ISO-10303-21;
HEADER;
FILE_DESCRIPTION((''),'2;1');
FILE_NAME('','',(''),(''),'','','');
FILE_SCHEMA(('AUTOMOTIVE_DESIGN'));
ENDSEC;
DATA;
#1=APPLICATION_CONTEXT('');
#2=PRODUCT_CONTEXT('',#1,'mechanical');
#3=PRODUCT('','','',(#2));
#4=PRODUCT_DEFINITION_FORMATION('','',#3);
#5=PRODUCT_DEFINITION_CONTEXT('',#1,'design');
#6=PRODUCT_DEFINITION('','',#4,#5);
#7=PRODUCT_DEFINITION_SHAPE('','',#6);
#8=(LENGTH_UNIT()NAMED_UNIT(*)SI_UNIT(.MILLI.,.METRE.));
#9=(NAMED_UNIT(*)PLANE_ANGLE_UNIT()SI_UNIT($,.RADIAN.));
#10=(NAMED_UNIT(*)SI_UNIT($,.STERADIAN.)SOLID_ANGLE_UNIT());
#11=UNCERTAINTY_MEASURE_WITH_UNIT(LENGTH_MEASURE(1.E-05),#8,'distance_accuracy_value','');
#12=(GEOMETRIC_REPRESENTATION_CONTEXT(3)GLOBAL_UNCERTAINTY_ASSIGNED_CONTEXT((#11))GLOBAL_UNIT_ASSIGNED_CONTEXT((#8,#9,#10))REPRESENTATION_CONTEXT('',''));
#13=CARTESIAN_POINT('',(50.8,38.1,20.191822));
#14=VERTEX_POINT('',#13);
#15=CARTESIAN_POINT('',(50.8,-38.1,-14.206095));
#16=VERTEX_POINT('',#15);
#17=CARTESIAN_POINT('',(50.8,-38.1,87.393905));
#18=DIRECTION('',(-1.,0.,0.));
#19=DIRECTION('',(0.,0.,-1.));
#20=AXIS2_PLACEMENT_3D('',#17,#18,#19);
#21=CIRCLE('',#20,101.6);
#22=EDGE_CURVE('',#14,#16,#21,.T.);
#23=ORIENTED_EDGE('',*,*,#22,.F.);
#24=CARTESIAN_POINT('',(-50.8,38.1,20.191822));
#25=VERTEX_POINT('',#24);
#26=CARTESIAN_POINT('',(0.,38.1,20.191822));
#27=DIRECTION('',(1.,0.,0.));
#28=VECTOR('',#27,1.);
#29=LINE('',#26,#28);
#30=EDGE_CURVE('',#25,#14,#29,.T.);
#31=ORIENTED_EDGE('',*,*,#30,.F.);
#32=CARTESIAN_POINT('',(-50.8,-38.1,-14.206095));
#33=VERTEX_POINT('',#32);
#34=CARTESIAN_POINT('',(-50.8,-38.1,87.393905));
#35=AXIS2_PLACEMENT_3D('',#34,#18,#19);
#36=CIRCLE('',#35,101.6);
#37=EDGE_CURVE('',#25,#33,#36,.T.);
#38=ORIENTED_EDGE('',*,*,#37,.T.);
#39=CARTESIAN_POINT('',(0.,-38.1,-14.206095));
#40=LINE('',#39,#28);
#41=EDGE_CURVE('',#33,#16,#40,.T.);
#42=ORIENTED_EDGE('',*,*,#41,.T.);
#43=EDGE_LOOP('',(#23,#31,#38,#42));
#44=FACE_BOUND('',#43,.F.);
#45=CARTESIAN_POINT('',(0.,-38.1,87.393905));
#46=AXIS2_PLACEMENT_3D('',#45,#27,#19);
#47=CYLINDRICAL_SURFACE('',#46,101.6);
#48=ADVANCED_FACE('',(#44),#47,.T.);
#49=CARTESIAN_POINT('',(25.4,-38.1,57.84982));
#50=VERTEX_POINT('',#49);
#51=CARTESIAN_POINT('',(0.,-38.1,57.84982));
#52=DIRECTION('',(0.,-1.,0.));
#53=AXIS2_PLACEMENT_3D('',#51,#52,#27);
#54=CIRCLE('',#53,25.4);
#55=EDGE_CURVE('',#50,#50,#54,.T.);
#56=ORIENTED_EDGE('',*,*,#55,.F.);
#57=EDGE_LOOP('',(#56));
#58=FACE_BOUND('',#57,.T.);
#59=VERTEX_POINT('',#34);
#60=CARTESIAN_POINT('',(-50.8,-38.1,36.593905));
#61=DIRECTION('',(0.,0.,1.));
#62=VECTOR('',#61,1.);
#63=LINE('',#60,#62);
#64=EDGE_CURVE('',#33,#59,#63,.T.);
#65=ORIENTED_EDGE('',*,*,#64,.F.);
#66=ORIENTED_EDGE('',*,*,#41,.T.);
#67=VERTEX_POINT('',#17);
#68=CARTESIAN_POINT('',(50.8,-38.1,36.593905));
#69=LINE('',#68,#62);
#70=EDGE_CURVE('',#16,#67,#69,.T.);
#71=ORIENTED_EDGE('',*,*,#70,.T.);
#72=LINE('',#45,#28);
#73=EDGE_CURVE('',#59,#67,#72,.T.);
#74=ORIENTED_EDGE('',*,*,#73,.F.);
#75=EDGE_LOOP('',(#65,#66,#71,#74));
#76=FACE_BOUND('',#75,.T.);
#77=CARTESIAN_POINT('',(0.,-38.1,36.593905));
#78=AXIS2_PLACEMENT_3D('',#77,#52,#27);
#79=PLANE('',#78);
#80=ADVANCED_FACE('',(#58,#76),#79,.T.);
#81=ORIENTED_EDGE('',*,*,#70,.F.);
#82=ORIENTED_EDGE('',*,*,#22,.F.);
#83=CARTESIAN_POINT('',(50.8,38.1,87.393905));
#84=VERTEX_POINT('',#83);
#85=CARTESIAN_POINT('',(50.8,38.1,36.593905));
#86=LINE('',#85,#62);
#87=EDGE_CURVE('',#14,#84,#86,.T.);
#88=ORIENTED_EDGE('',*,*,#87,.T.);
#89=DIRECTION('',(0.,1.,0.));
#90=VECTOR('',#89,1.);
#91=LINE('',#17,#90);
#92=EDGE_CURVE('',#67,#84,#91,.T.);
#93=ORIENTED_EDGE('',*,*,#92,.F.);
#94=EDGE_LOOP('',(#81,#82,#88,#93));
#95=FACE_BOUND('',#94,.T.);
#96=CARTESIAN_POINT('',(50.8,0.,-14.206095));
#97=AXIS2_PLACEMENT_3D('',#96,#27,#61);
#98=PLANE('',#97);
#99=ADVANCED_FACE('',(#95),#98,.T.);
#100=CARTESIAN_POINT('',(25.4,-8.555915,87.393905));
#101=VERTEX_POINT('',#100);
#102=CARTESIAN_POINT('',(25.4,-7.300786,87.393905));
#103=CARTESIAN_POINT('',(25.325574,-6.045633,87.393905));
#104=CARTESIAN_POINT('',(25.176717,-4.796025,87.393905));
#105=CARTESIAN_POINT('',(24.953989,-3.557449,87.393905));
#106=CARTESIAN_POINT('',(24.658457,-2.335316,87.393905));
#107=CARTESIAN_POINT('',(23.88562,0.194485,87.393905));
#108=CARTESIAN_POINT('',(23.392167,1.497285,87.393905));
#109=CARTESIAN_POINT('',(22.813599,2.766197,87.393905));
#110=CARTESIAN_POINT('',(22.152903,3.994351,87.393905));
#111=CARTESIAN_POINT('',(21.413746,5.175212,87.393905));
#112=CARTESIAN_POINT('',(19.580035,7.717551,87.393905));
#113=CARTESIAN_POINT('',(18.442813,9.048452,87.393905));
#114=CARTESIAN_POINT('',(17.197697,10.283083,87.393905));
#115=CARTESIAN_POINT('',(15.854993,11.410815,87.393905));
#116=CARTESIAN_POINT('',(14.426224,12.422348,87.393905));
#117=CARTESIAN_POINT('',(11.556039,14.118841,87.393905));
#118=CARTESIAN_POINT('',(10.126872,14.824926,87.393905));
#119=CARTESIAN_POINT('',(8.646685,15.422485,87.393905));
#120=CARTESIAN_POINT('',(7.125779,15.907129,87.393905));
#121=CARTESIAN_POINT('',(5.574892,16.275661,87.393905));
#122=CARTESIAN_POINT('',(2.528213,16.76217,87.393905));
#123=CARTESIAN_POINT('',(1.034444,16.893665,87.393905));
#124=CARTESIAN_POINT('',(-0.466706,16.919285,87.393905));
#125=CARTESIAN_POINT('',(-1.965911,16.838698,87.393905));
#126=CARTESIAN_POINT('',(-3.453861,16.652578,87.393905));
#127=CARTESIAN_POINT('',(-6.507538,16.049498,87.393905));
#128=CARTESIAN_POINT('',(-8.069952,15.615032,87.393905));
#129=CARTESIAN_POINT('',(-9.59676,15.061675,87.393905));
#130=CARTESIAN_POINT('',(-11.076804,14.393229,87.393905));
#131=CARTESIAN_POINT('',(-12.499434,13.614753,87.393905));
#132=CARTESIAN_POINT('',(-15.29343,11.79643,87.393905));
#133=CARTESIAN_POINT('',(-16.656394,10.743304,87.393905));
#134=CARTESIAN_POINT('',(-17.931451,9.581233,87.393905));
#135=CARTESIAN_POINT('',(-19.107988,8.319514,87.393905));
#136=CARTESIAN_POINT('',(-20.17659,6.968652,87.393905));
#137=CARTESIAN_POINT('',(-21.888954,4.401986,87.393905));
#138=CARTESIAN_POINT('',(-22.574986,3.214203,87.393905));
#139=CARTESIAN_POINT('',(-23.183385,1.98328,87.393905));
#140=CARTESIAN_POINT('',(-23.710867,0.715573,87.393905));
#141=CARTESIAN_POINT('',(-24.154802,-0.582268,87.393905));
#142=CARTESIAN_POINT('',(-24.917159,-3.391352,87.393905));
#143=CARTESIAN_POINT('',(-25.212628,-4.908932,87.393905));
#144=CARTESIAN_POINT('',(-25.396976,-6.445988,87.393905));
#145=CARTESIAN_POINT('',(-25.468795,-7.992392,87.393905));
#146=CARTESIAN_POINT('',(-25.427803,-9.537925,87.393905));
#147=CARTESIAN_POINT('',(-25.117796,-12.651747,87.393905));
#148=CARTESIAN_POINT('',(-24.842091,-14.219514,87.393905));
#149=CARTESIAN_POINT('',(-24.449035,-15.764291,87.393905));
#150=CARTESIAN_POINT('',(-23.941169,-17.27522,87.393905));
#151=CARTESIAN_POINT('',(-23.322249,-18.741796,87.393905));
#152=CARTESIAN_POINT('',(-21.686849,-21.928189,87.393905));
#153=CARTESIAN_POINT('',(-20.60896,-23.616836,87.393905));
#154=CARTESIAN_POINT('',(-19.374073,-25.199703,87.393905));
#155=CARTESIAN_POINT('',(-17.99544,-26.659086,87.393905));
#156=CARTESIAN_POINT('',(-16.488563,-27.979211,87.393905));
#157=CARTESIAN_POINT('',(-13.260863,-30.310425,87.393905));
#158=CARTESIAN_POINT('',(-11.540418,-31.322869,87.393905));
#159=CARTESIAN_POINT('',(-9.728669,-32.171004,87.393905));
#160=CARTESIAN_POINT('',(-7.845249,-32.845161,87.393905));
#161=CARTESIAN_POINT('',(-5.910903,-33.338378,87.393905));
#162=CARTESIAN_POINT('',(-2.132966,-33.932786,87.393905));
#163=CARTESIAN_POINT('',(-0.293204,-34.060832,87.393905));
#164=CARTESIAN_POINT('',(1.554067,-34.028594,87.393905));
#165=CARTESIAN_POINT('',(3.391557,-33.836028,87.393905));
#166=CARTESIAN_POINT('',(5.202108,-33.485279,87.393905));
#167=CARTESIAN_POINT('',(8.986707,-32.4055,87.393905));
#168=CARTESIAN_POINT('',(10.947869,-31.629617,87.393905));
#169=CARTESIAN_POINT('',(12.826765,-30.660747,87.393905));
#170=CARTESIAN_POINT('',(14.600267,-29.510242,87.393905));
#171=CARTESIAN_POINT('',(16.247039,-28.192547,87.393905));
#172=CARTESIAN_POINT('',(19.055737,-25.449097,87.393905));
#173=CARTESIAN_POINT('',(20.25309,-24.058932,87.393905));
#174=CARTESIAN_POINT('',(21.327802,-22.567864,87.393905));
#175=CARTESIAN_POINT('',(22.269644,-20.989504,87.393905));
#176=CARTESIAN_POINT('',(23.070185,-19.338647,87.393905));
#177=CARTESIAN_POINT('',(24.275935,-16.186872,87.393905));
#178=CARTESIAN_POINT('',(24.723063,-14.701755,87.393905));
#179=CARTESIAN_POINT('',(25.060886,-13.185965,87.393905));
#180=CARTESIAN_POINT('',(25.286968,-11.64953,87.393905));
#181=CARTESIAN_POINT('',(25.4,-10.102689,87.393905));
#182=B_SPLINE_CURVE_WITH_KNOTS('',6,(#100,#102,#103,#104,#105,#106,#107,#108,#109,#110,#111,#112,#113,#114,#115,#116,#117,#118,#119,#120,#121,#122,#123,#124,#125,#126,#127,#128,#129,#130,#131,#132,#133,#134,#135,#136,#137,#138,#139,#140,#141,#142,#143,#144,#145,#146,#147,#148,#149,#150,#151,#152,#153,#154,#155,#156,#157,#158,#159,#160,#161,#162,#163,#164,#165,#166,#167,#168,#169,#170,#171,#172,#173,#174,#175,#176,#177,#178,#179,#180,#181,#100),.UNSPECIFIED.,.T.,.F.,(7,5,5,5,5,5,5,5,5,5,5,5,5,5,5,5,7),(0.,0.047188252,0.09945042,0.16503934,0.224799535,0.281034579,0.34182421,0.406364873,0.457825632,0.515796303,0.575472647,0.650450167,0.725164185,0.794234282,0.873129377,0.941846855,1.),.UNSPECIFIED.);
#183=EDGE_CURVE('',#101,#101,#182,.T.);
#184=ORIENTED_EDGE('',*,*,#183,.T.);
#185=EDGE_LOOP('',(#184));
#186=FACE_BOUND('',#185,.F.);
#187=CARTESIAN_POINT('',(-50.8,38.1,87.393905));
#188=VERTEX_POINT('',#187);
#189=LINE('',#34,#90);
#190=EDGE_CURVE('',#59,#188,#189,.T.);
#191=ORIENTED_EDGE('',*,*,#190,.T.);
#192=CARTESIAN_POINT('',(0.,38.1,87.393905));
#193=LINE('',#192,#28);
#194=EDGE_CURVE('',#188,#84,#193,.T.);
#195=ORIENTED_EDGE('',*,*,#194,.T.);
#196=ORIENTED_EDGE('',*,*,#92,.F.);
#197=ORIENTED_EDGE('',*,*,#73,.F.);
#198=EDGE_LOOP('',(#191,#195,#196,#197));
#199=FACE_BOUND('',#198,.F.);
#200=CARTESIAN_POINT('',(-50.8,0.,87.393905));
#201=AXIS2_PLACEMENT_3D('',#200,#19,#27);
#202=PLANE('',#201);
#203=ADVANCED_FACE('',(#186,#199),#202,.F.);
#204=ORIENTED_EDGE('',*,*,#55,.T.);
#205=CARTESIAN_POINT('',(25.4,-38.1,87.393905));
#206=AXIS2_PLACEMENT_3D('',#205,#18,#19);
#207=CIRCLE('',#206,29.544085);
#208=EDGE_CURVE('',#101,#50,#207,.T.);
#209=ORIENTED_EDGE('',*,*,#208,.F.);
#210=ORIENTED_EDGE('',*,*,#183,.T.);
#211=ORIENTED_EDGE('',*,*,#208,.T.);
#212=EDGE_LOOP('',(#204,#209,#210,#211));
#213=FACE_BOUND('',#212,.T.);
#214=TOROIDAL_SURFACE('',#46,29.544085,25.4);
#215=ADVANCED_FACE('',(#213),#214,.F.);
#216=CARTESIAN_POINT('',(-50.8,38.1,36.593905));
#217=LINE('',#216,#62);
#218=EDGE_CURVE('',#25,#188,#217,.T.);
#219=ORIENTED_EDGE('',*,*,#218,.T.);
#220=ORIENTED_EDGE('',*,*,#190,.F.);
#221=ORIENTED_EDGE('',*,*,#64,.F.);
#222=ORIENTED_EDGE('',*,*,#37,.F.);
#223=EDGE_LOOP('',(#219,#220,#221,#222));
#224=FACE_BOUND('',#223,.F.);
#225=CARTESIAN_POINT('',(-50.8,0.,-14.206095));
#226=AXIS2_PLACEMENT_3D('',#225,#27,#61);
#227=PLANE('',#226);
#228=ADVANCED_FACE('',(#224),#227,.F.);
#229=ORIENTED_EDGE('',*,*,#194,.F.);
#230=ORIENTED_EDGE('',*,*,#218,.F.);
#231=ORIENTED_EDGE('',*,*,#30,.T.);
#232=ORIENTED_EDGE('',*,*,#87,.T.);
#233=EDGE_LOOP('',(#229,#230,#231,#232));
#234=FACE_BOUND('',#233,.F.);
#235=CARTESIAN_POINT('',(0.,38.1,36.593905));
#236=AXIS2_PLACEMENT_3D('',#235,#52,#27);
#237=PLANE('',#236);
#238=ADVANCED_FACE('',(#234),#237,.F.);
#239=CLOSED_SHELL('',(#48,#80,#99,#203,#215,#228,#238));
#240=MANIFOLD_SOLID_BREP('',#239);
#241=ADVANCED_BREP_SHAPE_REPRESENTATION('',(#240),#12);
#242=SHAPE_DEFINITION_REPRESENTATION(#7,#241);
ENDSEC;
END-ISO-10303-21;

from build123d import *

# Parameters (mm, degrees)
F0_W     = 101.6
F0_H     = 101.6
F1_DEPTH = 38.1
F2_W     = 101.6
F2_H     = 101.6
F2_R     = 25.4


with BuildPart() as f1:
    # F0 (on Front) → F1 (new body, symmetric)
    with BuildSketch(Plane.XZ):
        with Locations((0, 36.593905)):
            Rectangle(F0_W, F0_H)
    extrude(amount=F1_DEPTH, both=True)

    # F2 (on face) → F3 (revolve, intersect)
    with BuildSketch(Plane.XZ.offset(38.1)):
        with Locations((0, 36.593905)):
            Rectangle(F2_W, F2_H)
        with Locations((0, 57.84982)):
            Circle(F2_R, mode=Mode.SUBTRACT)
    revolve(axis=Axis((0, -38.1, 87.393905), (-1, 0, 0)), mode=Mode.INTERSECT)


solid = f1.part
